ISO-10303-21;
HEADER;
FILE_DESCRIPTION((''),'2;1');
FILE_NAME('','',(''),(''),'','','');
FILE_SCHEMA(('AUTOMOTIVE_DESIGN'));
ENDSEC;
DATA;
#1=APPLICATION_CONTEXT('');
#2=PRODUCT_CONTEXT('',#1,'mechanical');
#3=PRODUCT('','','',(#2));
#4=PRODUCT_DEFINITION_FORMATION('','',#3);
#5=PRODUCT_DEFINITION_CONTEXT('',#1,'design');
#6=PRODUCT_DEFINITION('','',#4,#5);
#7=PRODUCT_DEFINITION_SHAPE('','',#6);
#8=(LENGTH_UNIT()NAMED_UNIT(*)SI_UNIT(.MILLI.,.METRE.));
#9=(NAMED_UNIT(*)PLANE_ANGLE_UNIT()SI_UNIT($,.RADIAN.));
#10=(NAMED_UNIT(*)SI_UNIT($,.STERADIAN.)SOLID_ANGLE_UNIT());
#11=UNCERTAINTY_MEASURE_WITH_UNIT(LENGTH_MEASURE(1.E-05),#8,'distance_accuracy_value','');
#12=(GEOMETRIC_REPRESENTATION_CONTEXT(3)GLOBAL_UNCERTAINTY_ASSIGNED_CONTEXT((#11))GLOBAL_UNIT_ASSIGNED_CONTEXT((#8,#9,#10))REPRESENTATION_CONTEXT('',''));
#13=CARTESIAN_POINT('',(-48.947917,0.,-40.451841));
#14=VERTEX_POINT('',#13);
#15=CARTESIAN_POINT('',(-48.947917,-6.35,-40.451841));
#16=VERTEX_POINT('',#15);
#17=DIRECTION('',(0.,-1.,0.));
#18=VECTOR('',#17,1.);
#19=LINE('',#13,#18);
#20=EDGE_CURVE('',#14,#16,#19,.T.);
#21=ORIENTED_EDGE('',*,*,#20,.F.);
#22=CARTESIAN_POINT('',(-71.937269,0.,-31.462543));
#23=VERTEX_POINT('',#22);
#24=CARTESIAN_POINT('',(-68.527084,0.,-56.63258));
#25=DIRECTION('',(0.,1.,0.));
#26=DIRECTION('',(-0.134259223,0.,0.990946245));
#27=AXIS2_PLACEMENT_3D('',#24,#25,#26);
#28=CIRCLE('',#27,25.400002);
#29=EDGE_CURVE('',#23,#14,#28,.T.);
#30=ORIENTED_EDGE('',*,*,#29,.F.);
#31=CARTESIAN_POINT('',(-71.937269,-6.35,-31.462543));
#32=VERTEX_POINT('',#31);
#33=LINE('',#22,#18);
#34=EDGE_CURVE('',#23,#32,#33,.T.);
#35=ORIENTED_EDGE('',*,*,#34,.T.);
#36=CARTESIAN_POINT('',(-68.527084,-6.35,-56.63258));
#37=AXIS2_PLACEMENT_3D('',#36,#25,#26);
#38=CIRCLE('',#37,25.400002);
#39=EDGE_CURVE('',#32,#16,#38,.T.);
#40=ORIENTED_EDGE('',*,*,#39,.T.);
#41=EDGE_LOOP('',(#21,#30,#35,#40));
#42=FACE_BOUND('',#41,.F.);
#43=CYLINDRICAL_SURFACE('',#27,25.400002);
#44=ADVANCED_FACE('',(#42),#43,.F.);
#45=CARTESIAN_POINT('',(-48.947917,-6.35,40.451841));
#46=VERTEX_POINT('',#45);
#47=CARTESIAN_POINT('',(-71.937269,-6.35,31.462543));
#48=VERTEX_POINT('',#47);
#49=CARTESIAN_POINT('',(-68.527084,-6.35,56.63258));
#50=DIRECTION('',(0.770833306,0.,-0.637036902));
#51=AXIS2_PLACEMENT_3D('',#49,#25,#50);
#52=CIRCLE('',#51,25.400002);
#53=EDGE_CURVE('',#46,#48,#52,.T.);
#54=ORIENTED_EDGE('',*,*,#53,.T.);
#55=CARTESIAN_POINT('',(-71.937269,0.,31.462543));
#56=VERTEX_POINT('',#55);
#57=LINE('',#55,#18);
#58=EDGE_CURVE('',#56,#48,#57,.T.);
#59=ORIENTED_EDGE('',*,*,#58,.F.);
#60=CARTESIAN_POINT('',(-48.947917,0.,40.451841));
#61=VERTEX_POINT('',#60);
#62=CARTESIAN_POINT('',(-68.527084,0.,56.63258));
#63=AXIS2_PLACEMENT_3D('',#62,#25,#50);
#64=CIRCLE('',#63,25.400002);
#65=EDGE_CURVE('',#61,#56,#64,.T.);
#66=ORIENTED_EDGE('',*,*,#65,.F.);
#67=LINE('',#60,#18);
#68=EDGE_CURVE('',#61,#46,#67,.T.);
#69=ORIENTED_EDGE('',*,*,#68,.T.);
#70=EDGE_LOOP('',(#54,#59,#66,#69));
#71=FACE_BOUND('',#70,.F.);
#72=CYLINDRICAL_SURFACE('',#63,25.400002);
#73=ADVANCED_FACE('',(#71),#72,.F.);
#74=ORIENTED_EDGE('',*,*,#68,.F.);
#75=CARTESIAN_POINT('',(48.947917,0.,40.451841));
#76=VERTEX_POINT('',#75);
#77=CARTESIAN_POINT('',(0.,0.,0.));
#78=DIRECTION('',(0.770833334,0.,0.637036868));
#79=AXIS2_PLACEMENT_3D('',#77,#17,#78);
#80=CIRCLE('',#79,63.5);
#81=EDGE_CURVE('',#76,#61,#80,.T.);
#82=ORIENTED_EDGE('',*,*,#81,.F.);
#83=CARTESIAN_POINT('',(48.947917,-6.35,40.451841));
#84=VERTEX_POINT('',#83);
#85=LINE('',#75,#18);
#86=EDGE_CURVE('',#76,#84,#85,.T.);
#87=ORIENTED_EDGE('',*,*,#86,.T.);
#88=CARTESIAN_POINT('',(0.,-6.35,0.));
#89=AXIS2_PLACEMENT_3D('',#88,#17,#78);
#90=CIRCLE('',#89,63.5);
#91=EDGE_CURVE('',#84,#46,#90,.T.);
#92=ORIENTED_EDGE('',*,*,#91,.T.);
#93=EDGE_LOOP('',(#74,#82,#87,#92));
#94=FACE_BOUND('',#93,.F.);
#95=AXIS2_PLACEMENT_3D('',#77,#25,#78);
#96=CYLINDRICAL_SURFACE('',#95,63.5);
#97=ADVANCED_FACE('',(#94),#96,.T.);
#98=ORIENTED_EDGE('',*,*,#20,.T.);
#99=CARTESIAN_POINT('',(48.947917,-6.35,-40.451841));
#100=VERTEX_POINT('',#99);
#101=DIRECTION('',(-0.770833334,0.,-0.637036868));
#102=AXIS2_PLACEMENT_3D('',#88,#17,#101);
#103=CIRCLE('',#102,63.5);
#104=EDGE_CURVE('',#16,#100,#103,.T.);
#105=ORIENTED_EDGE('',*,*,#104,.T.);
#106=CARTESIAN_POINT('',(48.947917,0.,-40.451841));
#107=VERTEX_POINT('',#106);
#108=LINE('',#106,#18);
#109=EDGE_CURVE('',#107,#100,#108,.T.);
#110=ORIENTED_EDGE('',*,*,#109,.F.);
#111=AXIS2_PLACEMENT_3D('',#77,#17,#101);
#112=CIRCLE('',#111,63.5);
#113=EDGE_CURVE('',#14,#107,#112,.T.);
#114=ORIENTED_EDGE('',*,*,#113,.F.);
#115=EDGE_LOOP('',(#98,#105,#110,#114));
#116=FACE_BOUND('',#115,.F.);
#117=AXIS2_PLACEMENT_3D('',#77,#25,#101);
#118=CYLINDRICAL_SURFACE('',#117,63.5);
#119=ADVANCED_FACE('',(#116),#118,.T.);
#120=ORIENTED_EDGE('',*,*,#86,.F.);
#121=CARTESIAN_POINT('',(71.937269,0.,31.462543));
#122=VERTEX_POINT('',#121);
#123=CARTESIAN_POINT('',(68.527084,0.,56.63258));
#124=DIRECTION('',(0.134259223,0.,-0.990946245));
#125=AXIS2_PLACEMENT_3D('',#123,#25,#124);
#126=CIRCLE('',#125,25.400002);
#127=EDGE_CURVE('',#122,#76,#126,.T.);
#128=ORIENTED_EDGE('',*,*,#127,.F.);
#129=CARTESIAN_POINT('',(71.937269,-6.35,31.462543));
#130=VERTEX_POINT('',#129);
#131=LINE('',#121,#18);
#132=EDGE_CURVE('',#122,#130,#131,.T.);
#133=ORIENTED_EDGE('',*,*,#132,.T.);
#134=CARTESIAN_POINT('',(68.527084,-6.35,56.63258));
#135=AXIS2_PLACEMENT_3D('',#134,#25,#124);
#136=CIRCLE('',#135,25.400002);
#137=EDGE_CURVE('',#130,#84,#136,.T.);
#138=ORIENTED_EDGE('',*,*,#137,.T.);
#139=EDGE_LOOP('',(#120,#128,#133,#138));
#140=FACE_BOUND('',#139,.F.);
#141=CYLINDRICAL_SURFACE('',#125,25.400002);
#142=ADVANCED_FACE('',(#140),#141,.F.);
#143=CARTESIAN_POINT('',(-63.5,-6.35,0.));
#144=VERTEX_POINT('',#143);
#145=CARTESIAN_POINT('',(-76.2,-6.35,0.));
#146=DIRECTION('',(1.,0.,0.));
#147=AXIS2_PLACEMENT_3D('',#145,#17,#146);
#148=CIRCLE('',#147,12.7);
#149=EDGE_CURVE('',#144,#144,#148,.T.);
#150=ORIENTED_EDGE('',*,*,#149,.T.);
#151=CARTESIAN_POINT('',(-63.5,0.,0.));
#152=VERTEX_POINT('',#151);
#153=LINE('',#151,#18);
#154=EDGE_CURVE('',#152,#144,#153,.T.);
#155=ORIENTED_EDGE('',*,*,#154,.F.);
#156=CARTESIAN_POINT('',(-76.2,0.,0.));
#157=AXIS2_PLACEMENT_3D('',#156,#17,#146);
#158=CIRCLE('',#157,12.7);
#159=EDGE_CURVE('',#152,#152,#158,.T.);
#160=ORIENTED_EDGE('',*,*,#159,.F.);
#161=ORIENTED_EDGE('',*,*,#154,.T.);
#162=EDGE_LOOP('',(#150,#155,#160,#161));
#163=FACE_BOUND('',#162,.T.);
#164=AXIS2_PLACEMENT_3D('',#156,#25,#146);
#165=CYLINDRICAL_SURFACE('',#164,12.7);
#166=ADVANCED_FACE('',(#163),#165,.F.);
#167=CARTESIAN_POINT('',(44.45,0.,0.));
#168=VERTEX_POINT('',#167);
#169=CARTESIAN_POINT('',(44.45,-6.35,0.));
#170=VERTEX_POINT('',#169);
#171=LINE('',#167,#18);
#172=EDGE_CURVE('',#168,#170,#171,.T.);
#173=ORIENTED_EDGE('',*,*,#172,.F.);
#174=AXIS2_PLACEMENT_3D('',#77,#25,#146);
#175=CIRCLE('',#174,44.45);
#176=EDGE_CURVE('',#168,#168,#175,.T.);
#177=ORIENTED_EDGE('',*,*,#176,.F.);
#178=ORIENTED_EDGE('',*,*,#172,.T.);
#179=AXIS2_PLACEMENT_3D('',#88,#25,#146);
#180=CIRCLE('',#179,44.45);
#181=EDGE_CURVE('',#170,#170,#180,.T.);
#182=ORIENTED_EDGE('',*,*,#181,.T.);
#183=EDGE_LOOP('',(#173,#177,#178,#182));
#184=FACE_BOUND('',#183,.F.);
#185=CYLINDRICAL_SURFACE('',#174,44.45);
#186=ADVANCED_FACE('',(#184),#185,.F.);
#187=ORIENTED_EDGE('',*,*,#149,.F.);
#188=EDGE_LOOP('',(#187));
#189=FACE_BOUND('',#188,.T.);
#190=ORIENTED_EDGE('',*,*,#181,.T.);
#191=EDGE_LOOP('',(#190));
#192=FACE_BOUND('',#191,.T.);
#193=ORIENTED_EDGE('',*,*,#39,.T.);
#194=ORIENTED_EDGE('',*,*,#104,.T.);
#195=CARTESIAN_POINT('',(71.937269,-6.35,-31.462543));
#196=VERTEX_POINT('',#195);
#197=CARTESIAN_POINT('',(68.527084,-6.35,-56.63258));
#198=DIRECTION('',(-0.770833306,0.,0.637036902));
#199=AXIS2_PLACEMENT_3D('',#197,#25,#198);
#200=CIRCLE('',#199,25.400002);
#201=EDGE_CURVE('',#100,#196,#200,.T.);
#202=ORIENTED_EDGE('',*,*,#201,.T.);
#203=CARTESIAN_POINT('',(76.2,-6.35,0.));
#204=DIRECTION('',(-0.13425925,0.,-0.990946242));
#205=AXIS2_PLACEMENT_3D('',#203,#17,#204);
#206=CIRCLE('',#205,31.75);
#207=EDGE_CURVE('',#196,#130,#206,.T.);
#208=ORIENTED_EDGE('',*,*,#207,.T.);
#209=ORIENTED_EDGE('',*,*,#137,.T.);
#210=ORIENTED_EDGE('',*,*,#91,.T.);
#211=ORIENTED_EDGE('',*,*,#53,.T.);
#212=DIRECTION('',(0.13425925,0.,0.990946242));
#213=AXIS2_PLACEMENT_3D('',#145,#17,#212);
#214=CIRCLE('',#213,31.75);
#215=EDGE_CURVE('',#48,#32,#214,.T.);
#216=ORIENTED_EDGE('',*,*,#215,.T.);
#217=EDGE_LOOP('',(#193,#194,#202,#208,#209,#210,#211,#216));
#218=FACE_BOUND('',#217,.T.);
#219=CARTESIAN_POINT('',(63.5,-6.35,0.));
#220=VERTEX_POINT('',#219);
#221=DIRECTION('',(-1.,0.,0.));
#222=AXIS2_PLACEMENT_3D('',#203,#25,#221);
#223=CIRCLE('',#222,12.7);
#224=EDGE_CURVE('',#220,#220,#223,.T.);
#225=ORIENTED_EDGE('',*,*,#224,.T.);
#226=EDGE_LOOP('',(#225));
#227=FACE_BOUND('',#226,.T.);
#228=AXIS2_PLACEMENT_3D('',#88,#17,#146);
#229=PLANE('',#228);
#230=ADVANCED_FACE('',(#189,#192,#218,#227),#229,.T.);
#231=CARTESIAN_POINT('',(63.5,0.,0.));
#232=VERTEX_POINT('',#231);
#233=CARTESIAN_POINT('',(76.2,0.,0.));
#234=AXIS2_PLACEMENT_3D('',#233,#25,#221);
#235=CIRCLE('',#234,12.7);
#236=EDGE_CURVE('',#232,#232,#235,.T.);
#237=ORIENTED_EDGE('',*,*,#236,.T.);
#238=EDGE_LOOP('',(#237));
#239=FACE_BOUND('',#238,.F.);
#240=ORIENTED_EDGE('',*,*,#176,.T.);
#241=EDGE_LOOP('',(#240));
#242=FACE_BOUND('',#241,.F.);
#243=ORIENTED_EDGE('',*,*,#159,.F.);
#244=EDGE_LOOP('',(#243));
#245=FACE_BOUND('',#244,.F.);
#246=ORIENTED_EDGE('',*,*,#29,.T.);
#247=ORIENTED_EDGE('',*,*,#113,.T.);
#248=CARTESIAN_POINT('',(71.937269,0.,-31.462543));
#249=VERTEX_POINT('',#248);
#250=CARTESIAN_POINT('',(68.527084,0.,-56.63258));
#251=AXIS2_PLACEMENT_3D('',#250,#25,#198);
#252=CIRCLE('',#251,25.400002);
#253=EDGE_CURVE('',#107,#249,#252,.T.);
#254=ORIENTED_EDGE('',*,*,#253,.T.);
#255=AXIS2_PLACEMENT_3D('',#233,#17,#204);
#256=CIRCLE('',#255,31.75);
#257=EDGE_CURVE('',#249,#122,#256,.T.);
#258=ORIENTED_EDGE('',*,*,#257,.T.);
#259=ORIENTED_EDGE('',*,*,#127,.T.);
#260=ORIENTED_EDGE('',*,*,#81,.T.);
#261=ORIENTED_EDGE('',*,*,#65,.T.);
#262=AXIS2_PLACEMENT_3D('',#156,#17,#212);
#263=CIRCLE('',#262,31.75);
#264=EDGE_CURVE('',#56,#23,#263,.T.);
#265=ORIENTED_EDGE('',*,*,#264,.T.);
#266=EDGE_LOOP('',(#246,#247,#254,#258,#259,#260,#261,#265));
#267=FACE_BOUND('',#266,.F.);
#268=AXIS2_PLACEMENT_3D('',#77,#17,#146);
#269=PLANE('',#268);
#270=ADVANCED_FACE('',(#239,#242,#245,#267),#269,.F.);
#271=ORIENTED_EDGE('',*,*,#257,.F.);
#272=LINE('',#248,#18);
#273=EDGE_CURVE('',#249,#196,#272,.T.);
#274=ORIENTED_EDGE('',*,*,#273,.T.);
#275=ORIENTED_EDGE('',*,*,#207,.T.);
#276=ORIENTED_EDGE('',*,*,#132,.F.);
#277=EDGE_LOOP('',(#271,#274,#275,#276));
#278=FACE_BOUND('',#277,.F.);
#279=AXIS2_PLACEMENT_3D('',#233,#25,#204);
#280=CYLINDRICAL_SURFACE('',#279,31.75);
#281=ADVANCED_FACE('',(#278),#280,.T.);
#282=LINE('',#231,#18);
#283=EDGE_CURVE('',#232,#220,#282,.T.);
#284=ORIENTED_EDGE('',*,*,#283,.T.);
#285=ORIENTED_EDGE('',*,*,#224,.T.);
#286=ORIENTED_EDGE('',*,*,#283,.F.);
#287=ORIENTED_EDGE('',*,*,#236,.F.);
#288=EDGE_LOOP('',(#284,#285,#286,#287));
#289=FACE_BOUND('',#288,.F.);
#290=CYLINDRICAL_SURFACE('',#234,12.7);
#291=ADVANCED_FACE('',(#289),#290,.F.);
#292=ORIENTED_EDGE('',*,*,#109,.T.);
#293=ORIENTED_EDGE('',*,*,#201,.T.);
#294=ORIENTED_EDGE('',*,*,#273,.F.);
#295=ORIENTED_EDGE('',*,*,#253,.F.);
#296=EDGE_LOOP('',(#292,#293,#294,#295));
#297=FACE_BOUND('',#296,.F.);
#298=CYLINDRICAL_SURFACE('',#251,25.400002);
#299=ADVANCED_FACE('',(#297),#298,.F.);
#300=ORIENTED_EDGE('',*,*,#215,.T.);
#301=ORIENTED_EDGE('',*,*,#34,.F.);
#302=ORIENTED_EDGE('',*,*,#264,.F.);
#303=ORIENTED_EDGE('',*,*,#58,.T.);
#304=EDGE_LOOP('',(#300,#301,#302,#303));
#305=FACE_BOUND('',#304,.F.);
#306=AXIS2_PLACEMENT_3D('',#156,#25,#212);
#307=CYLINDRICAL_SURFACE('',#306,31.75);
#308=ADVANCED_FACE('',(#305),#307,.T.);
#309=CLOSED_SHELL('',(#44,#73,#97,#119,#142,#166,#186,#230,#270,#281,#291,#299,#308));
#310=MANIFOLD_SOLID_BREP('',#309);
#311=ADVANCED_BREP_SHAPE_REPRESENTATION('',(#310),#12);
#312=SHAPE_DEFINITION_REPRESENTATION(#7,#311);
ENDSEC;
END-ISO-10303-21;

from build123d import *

# Parameters (mm, degrees)
F0_R     = 12.7
F1_DEPTH = 6.35


with BuildPart() as f1:
    # F0 (on Front) → F1 (new body)
    with BuildSketch(Plane.XZ):
        with BuildLine():
            ThreePointArc((-71.937269, -31.462543), (-59.277172, -32.97673), (-48.947917, -40.451841))
            ThreePointArc((-48.947917, -40.451841), (0, -63.5), (48.947917, -40.451841))
            ThreePointArc((48.947917, -40.451841), (59.277172, -32.97673), (71.937269, -31.462543))
            ThreePointArc((71.937269, -31.462543), (107.95, 0), (71.937269, 31.462543))
            ThreePointArc((71.937269, 31.462543), (59.277172, 32.97673), (48.947917, 40.451841))
            ThreePointArc((48.947917, 40.451841), (0, 63.5), (-48.947917, 40.451841))
            ThreePointArc((-48.947917, 40.451841), (-59.277172, 32.97673), (-71.937269, 31.462543))
            ThreePointArc((-71.937269, 31.462543), (-107.95, 0), (-71.937269, -31.462543))
        make_face()
        with Locations((-76.2, 0)):
            Circle(F0_R, mode=Mode.SUBTRACT)
        with BuildLine():
            ThreePointArc((-44.45, 0), (0, 44.45), (44.45, 0))
            ThreePointArc((44.45, 0), (0, -44.45), (-44.45, 0))
        make_face(mode=Mode.SUBTRACT)
        with BuildLine():
            ThreePointArc((88.9, 0), (76.2, -12.7), (63.5, 0))
            ThreePointArc((63.5, 0), (76.2, 12.7), (88.9, 0))
        make_face(mode=Mode.SUBTRACT)
    extrude(amount=F1_DEPTH)


solid = f1.part
